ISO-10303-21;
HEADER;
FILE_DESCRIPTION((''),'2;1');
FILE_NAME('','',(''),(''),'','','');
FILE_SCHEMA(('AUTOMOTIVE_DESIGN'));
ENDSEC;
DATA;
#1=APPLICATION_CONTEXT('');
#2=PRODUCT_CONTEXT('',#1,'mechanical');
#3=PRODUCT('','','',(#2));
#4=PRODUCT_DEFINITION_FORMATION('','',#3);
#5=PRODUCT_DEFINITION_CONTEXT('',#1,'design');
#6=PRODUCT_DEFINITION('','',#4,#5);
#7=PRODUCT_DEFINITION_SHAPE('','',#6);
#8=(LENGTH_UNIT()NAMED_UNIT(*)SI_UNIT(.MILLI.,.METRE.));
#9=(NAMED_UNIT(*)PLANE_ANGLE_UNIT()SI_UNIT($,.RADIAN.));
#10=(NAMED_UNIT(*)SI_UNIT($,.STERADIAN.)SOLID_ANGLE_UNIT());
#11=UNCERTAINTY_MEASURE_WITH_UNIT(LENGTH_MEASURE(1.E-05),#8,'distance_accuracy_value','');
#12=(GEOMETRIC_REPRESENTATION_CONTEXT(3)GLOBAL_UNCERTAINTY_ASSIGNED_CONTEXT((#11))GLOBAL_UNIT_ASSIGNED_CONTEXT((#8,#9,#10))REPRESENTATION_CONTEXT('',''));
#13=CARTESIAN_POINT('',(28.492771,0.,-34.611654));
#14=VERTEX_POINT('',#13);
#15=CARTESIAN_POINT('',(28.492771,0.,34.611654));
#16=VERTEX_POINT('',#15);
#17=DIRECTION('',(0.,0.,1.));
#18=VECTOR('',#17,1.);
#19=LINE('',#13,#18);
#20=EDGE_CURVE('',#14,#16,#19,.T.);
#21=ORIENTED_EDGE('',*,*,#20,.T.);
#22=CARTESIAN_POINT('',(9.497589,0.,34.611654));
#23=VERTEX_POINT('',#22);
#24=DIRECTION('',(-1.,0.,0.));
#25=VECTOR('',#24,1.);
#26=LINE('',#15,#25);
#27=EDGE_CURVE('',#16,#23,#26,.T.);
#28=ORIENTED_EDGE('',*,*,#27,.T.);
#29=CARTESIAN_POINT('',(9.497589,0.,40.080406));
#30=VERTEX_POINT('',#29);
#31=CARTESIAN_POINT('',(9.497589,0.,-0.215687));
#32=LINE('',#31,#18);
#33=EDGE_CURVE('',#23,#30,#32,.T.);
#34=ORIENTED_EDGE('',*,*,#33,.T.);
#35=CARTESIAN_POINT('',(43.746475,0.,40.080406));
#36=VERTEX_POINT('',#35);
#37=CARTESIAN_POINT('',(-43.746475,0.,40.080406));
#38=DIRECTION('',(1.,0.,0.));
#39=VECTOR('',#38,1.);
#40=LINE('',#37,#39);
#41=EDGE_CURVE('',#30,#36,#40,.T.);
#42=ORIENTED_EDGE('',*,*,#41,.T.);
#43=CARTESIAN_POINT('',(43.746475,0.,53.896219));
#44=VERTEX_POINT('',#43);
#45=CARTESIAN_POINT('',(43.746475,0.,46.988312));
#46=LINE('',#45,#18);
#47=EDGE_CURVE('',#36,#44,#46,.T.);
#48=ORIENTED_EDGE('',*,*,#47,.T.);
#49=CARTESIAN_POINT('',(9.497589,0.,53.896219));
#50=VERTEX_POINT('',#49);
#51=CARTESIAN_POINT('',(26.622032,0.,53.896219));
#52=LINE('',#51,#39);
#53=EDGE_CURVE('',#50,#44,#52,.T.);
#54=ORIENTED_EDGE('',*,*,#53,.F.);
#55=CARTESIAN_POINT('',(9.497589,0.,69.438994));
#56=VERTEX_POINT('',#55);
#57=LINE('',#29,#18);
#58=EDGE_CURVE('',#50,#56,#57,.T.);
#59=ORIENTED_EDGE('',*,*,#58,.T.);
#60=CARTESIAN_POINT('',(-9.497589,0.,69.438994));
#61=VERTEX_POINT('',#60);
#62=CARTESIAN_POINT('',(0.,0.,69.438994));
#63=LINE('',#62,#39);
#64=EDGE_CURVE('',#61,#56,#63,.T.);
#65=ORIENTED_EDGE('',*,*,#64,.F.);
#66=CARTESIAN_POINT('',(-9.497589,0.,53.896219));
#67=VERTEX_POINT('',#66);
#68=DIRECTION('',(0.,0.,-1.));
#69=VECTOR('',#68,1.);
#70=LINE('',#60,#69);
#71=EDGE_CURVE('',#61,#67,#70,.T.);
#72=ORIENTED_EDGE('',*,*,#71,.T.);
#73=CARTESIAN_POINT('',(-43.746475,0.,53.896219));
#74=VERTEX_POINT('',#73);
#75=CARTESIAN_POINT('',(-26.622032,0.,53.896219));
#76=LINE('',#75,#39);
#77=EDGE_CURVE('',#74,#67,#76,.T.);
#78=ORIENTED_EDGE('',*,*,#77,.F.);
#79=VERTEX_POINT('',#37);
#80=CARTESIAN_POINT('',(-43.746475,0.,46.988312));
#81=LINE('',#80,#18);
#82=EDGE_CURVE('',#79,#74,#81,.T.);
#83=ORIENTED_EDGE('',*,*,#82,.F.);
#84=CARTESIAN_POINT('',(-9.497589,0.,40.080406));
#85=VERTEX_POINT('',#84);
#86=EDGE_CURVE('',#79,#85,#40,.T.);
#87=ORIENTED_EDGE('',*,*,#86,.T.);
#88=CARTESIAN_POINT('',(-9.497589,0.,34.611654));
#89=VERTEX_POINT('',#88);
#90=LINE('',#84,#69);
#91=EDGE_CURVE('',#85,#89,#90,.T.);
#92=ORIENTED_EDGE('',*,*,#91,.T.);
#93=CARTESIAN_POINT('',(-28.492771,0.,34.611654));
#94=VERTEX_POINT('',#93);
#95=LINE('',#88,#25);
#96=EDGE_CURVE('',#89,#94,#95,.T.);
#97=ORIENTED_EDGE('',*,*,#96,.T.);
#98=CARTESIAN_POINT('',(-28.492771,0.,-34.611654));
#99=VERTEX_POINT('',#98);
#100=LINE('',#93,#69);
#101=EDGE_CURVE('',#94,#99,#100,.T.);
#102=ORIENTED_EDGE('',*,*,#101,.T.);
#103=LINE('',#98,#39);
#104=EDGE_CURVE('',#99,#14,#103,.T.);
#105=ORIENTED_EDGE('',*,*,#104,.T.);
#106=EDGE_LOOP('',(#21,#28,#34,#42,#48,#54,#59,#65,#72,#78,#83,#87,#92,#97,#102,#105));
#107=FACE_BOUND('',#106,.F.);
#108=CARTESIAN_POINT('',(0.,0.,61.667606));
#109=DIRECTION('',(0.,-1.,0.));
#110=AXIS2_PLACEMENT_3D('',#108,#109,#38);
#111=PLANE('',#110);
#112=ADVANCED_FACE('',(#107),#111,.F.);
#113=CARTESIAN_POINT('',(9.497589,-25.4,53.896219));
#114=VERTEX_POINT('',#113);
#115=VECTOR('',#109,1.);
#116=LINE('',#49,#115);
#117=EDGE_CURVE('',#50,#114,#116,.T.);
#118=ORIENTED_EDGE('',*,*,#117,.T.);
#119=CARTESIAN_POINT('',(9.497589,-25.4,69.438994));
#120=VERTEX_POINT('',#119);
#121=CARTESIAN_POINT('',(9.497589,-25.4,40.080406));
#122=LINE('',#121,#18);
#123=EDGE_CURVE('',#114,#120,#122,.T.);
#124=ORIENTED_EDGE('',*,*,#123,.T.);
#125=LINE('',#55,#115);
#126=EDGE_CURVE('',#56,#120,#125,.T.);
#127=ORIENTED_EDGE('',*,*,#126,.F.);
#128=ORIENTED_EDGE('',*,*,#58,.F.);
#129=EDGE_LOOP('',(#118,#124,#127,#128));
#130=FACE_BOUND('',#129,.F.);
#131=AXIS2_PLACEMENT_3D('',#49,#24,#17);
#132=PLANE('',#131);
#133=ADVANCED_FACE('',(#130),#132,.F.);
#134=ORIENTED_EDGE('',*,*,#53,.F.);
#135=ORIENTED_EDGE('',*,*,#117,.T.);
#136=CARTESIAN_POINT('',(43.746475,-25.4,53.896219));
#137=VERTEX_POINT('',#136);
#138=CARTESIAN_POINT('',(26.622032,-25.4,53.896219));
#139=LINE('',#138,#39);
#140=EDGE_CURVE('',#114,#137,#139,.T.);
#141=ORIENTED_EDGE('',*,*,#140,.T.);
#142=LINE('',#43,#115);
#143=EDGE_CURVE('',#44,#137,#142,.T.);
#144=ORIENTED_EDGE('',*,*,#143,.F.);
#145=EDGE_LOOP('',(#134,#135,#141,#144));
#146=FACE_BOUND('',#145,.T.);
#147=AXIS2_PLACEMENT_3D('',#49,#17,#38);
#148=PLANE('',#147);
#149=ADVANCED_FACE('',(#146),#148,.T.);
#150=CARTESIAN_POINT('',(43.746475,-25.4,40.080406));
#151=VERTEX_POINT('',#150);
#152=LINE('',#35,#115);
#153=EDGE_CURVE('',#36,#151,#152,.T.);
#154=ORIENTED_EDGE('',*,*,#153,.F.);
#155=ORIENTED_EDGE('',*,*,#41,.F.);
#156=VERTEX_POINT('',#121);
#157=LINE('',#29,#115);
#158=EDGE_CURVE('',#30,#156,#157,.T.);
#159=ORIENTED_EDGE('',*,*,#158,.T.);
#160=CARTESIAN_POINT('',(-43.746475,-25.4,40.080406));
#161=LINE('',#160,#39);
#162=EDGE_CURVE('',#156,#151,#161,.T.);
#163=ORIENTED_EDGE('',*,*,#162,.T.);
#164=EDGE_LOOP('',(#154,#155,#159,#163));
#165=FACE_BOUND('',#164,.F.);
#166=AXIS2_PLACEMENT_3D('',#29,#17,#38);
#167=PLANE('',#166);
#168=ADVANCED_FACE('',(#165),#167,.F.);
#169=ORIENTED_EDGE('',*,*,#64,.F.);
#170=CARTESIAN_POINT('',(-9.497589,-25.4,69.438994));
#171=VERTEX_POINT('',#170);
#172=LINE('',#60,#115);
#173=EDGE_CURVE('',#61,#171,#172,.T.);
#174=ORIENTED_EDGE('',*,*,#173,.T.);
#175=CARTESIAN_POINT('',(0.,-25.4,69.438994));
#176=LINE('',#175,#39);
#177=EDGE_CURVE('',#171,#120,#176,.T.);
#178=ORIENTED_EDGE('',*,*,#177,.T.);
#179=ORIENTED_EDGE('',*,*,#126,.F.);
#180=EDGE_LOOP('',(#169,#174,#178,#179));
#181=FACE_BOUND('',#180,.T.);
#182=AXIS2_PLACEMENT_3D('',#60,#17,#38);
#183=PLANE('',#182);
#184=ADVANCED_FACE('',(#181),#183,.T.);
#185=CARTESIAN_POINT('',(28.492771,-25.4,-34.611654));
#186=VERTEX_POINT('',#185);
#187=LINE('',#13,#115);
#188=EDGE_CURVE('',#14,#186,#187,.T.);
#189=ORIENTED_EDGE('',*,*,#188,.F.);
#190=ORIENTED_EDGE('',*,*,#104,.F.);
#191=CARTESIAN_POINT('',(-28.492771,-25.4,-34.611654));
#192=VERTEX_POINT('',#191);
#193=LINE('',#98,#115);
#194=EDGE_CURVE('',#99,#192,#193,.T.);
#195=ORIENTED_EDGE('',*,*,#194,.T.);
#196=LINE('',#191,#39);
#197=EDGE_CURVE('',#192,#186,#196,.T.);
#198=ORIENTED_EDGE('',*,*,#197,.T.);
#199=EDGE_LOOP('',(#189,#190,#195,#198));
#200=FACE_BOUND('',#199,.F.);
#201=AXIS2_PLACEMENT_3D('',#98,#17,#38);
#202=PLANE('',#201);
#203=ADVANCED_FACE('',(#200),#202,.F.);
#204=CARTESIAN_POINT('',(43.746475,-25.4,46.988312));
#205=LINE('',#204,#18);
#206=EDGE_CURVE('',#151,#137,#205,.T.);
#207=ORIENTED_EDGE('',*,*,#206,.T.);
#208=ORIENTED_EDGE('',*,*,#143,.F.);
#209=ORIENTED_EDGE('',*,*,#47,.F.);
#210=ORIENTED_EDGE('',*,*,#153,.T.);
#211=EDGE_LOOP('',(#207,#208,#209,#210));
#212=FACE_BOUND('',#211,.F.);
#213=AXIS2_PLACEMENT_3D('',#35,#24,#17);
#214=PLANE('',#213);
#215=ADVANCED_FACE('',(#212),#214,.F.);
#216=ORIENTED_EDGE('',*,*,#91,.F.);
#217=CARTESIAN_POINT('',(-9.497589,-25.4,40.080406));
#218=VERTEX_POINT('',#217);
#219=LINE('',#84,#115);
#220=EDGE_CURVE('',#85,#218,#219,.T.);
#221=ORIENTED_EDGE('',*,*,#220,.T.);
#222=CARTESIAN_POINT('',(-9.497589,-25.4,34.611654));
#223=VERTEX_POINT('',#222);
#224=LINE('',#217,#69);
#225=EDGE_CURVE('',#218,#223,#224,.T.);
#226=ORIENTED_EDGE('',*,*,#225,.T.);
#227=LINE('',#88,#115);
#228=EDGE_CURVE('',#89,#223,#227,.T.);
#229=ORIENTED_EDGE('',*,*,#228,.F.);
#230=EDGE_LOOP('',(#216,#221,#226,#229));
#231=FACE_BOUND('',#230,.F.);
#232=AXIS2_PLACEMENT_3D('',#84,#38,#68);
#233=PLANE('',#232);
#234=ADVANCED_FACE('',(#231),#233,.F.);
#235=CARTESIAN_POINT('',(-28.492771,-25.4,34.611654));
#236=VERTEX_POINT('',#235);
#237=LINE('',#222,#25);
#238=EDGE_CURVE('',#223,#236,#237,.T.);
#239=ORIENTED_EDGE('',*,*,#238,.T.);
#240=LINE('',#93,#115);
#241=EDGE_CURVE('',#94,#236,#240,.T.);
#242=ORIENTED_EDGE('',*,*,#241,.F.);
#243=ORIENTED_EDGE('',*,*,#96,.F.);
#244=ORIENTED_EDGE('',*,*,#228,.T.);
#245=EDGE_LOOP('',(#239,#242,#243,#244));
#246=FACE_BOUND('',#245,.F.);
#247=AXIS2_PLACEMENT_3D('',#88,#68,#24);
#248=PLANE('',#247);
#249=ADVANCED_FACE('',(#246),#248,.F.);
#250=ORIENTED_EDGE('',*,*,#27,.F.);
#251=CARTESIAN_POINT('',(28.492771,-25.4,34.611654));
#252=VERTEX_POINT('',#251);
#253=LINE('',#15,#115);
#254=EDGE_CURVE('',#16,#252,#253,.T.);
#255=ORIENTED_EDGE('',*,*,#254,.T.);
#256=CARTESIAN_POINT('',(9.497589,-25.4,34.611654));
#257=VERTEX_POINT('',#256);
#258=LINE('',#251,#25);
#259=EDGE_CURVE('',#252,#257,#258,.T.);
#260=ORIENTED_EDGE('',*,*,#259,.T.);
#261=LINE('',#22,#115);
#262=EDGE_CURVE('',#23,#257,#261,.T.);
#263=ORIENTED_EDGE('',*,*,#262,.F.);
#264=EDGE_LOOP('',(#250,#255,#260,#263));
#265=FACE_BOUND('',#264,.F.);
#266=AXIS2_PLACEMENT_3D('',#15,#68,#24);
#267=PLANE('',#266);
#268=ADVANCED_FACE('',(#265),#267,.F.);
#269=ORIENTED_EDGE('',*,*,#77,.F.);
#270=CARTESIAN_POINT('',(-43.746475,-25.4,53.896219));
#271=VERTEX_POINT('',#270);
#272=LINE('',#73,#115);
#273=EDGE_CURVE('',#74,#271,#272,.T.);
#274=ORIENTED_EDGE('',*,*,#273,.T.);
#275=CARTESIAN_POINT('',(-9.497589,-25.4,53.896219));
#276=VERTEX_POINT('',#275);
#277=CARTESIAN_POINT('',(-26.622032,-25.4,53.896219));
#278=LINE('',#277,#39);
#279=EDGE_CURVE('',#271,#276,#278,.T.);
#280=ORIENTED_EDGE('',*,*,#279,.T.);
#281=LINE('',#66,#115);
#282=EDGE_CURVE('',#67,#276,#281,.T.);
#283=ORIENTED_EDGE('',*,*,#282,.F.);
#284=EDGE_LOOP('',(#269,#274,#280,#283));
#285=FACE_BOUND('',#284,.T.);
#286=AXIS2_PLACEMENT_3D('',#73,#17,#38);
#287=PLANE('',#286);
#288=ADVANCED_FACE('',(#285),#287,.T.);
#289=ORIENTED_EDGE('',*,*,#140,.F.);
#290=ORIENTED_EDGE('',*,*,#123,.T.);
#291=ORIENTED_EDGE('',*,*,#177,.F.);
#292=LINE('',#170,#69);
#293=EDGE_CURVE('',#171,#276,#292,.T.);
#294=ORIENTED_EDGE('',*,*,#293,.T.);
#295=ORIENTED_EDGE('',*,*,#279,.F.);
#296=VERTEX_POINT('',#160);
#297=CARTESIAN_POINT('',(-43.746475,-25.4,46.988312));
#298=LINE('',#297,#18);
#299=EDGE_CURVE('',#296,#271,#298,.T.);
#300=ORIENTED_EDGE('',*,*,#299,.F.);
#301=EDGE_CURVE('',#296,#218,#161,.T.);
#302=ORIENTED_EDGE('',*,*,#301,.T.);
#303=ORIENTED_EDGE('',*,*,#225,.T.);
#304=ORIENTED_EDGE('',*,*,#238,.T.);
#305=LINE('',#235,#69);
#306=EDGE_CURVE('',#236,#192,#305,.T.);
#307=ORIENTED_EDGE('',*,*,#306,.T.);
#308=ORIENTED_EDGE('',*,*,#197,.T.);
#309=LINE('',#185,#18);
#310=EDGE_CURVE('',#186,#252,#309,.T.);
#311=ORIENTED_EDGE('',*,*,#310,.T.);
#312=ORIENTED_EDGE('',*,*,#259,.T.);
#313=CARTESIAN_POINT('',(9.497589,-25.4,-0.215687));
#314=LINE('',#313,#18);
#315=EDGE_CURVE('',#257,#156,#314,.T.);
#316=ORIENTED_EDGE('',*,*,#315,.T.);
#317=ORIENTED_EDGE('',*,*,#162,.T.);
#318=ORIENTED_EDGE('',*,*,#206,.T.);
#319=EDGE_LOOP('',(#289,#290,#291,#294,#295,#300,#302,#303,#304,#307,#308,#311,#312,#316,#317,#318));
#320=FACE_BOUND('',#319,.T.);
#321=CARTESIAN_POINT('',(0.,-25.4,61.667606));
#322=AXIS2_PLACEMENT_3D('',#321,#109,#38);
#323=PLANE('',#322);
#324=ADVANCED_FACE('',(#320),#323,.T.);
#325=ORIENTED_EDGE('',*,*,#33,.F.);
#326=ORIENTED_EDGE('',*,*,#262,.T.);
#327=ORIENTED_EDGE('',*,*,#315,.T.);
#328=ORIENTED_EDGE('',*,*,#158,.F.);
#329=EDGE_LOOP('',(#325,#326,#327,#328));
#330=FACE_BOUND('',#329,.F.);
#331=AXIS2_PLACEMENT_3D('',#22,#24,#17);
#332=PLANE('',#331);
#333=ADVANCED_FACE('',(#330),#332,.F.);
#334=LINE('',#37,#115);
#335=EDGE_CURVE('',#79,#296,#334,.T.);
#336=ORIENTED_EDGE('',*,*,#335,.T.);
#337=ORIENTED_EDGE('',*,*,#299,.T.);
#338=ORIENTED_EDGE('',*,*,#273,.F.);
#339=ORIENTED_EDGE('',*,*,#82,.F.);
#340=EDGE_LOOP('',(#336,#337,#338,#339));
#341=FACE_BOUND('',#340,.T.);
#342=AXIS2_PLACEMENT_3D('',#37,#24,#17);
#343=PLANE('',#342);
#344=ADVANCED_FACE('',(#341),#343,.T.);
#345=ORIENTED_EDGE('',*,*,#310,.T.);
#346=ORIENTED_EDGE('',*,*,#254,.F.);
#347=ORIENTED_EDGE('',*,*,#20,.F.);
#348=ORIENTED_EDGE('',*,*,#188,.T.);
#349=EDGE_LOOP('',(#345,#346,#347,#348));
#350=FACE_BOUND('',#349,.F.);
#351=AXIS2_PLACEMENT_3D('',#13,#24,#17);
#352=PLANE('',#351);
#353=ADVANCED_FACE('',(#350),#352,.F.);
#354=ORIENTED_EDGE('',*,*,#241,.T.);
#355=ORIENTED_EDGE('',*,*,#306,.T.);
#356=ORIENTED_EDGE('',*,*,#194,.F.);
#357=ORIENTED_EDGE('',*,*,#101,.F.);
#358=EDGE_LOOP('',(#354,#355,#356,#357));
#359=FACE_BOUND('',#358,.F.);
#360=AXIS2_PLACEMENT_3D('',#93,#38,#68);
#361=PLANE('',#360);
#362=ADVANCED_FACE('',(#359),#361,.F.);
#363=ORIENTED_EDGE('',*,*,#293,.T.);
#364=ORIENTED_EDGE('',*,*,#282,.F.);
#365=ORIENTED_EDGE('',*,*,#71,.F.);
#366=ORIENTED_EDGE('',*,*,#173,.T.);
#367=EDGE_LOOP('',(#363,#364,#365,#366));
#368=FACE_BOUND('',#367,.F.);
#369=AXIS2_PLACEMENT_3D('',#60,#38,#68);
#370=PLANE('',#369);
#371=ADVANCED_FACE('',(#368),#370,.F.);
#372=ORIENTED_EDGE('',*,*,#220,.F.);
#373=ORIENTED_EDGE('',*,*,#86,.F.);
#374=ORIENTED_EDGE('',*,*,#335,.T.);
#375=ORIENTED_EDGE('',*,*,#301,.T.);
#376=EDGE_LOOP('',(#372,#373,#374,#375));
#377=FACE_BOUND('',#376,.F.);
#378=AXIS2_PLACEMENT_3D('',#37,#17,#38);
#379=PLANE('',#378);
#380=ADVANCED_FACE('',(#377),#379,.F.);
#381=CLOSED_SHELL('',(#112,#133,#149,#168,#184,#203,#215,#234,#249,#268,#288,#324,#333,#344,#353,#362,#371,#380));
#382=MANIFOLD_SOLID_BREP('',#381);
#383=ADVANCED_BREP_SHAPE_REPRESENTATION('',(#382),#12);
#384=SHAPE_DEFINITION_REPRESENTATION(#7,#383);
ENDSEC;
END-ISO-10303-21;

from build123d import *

# Parameters (mm, degrees)
F0_W     = 18.9951788634
F0_H     = 15.5427753925
F0_H_2   = 13.8158127666
F0_W_2   = 34.2488856986
F0_H_3   = 5.4687522352
F0_H_4   = 34.8273403943
F1_DEPTH = 25.4


with BuildPart() as f1:
    # F0 (on Front) → F1 (new body)
    with BuildSketch(Plane.XZ):
        with Locations((0, 61.6676062346)):
            Rectangle(F0_W, F0_H)
        with Locations((0, 46.988312155)):
            Rectangle(F0_W, F0_H_2)
        with Locations((-26.622032281, 46.988312155)):
            Rectangle(F0_W_2, F0_H_2)
        with Locations((26.622032281, 46.988312155)):
            Rectangle(F0_W_2, F0_H_2)
        with Locations((0, 37.3460296541)):
            Rectangle(F0_W, F0_H_3)
        with Locations((0, 17.1979833394)):
            Rectangle(F0_W, F0_H_4)
        Polygon((28.4927710891, -34.6116535366), (28.4927710891, 34.6116535366), (9.4975894317, 34.6116535366), (9.4975894317, -0.2156868577), (-9.4975894317, -0.2156868577), (-9.4975894317, 34.6116535366), (-28.4927710891, 34.6116535366), (-28.4927710891, -34.6116535366), align=None)
    extrude(amount=F1_DEPTH)


solid = f1.part
